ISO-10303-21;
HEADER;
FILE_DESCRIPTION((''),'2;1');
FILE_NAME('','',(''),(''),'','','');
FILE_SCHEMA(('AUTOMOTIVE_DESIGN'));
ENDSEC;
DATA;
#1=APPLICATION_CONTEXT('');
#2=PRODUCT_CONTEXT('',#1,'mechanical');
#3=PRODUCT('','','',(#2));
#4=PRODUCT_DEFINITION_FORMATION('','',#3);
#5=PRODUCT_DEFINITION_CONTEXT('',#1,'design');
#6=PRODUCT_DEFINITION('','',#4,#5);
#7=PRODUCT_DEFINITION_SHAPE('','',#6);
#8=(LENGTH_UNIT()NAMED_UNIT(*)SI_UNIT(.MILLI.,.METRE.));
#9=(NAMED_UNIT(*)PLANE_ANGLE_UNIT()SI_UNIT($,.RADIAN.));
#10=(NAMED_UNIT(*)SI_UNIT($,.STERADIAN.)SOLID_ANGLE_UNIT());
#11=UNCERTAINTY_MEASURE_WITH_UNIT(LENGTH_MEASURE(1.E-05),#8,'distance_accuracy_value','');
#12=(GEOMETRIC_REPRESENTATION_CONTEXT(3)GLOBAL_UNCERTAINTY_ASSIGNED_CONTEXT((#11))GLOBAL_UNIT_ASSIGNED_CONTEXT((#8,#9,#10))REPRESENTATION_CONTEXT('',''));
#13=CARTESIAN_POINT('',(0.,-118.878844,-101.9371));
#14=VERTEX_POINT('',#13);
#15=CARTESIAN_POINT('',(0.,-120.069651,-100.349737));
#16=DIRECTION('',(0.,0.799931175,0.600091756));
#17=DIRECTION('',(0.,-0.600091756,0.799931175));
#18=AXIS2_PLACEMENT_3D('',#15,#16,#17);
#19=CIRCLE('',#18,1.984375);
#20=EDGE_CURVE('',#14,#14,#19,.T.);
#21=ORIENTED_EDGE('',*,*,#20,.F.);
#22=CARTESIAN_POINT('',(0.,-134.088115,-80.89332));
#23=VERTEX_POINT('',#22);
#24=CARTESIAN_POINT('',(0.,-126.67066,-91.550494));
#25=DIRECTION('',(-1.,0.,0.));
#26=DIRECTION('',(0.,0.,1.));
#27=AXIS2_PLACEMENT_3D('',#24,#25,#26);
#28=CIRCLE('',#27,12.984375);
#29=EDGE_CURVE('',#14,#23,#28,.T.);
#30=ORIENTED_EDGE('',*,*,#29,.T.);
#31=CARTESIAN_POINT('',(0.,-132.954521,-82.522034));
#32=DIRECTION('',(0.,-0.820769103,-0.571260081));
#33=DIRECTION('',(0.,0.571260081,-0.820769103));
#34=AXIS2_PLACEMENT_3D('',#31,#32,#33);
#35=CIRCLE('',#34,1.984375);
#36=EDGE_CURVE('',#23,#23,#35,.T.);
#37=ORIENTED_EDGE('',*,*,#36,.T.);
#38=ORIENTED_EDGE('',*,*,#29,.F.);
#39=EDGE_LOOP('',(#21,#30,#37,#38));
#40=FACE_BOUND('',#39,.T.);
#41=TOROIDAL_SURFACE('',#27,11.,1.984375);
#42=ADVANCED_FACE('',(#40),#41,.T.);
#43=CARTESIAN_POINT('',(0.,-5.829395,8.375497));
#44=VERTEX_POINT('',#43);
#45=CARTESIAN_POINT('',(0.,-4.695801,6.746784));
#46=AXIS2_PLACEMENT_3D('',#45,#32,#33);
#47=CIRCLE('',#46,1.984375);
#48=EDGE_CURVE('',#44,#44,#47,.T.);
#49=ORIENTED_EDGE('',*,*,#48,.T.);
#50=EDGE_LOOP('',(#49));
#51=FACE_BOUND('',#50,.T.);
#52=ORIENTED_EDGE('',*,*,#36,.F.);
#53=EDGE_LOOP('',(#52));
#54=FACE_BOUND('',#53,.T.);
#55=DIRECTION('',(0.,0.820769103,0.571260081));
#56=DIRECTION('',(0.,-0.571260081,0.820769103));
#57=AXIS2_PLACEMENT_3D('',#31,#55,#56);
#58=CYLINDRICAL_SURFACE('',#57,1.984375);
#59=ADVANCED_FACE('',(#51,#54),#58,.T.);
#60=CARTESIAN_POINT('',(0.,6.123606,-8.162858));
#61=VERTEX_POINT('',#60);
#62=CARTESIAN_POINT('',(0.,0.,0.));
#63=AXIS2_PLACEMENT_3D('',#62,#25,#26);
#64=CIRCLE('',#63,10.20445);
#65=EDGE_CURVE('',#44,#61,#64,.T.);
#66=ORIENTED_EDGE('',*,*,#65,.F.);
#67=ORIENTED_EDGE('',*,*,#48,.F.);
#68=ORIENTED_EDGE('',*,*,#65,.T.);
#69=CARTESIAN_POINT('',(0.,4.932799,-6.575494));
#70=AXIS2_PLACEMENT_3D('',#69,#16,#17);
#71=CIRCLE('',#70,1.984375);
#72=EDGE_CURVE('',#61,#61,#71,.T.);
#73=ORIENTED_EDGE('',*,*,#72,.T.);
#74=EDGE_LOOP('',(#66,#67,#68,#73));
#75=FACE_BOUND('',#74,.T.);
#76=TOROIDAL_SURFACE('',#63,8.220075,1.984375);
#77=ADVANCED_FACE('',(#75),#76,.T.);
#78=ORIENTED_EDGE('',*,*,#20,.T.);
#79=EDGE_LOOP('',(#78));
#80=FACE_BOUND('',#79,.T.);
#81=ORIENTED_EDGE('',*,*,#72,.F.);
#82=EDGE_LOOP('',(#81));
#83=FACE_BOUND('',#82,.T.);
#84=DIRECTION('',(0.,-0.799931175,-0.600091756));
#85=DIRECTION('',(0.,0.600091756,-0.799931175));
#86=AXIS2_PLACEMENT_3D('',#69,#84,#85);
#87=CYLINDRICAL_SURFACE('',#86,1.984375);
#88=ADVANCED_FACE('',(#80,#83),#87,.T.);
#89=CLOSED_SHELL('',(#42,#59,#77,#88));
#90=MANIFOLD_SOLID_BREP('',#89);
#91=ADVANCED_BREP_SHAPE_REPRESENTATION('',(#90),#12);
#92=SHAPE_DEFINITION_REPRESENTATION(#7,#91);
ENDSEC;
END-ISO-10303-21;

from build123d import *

# Parameters (mm, degrees)
SKETCH2_R = 1.984375


with BuildPart() as part:
    # Sweep1: sweep along a path in Sketch1
    with BuildLine(Plane(origin=(0, 0, 0), x_dir=(0, 0, -1), z_dir=(1, 0, 0))) as sweep1_path:
        Line((100.349736587, -120.069650872), (6.57549425, 4.932799243))
        ThreePointArc((6.57549425, 4.932799243), (-4.815061709, 6.662192863), (-6.746783583, -4.695800707))
        Line((-6.746783583, -4.695800707), (82.522033534, -132.954521078))
        ThreePointArc((82.522033534, -132.954521078), (97.993948111, -135.585922095), (100.349736587, -120.069650872))
    # Sketch2 → Sweep1 (sweep)
    with BuildSketch(Plane(origin=(0, 4.932799243, -6.57549425), x_dir=(1, 0, 0), z_dir=(0, 0.7999311746157586, 0.6000917562155417))):
        Circle(SKETCH2_R)
    sweep(path=sweep1_path.line)


solid = part.part
